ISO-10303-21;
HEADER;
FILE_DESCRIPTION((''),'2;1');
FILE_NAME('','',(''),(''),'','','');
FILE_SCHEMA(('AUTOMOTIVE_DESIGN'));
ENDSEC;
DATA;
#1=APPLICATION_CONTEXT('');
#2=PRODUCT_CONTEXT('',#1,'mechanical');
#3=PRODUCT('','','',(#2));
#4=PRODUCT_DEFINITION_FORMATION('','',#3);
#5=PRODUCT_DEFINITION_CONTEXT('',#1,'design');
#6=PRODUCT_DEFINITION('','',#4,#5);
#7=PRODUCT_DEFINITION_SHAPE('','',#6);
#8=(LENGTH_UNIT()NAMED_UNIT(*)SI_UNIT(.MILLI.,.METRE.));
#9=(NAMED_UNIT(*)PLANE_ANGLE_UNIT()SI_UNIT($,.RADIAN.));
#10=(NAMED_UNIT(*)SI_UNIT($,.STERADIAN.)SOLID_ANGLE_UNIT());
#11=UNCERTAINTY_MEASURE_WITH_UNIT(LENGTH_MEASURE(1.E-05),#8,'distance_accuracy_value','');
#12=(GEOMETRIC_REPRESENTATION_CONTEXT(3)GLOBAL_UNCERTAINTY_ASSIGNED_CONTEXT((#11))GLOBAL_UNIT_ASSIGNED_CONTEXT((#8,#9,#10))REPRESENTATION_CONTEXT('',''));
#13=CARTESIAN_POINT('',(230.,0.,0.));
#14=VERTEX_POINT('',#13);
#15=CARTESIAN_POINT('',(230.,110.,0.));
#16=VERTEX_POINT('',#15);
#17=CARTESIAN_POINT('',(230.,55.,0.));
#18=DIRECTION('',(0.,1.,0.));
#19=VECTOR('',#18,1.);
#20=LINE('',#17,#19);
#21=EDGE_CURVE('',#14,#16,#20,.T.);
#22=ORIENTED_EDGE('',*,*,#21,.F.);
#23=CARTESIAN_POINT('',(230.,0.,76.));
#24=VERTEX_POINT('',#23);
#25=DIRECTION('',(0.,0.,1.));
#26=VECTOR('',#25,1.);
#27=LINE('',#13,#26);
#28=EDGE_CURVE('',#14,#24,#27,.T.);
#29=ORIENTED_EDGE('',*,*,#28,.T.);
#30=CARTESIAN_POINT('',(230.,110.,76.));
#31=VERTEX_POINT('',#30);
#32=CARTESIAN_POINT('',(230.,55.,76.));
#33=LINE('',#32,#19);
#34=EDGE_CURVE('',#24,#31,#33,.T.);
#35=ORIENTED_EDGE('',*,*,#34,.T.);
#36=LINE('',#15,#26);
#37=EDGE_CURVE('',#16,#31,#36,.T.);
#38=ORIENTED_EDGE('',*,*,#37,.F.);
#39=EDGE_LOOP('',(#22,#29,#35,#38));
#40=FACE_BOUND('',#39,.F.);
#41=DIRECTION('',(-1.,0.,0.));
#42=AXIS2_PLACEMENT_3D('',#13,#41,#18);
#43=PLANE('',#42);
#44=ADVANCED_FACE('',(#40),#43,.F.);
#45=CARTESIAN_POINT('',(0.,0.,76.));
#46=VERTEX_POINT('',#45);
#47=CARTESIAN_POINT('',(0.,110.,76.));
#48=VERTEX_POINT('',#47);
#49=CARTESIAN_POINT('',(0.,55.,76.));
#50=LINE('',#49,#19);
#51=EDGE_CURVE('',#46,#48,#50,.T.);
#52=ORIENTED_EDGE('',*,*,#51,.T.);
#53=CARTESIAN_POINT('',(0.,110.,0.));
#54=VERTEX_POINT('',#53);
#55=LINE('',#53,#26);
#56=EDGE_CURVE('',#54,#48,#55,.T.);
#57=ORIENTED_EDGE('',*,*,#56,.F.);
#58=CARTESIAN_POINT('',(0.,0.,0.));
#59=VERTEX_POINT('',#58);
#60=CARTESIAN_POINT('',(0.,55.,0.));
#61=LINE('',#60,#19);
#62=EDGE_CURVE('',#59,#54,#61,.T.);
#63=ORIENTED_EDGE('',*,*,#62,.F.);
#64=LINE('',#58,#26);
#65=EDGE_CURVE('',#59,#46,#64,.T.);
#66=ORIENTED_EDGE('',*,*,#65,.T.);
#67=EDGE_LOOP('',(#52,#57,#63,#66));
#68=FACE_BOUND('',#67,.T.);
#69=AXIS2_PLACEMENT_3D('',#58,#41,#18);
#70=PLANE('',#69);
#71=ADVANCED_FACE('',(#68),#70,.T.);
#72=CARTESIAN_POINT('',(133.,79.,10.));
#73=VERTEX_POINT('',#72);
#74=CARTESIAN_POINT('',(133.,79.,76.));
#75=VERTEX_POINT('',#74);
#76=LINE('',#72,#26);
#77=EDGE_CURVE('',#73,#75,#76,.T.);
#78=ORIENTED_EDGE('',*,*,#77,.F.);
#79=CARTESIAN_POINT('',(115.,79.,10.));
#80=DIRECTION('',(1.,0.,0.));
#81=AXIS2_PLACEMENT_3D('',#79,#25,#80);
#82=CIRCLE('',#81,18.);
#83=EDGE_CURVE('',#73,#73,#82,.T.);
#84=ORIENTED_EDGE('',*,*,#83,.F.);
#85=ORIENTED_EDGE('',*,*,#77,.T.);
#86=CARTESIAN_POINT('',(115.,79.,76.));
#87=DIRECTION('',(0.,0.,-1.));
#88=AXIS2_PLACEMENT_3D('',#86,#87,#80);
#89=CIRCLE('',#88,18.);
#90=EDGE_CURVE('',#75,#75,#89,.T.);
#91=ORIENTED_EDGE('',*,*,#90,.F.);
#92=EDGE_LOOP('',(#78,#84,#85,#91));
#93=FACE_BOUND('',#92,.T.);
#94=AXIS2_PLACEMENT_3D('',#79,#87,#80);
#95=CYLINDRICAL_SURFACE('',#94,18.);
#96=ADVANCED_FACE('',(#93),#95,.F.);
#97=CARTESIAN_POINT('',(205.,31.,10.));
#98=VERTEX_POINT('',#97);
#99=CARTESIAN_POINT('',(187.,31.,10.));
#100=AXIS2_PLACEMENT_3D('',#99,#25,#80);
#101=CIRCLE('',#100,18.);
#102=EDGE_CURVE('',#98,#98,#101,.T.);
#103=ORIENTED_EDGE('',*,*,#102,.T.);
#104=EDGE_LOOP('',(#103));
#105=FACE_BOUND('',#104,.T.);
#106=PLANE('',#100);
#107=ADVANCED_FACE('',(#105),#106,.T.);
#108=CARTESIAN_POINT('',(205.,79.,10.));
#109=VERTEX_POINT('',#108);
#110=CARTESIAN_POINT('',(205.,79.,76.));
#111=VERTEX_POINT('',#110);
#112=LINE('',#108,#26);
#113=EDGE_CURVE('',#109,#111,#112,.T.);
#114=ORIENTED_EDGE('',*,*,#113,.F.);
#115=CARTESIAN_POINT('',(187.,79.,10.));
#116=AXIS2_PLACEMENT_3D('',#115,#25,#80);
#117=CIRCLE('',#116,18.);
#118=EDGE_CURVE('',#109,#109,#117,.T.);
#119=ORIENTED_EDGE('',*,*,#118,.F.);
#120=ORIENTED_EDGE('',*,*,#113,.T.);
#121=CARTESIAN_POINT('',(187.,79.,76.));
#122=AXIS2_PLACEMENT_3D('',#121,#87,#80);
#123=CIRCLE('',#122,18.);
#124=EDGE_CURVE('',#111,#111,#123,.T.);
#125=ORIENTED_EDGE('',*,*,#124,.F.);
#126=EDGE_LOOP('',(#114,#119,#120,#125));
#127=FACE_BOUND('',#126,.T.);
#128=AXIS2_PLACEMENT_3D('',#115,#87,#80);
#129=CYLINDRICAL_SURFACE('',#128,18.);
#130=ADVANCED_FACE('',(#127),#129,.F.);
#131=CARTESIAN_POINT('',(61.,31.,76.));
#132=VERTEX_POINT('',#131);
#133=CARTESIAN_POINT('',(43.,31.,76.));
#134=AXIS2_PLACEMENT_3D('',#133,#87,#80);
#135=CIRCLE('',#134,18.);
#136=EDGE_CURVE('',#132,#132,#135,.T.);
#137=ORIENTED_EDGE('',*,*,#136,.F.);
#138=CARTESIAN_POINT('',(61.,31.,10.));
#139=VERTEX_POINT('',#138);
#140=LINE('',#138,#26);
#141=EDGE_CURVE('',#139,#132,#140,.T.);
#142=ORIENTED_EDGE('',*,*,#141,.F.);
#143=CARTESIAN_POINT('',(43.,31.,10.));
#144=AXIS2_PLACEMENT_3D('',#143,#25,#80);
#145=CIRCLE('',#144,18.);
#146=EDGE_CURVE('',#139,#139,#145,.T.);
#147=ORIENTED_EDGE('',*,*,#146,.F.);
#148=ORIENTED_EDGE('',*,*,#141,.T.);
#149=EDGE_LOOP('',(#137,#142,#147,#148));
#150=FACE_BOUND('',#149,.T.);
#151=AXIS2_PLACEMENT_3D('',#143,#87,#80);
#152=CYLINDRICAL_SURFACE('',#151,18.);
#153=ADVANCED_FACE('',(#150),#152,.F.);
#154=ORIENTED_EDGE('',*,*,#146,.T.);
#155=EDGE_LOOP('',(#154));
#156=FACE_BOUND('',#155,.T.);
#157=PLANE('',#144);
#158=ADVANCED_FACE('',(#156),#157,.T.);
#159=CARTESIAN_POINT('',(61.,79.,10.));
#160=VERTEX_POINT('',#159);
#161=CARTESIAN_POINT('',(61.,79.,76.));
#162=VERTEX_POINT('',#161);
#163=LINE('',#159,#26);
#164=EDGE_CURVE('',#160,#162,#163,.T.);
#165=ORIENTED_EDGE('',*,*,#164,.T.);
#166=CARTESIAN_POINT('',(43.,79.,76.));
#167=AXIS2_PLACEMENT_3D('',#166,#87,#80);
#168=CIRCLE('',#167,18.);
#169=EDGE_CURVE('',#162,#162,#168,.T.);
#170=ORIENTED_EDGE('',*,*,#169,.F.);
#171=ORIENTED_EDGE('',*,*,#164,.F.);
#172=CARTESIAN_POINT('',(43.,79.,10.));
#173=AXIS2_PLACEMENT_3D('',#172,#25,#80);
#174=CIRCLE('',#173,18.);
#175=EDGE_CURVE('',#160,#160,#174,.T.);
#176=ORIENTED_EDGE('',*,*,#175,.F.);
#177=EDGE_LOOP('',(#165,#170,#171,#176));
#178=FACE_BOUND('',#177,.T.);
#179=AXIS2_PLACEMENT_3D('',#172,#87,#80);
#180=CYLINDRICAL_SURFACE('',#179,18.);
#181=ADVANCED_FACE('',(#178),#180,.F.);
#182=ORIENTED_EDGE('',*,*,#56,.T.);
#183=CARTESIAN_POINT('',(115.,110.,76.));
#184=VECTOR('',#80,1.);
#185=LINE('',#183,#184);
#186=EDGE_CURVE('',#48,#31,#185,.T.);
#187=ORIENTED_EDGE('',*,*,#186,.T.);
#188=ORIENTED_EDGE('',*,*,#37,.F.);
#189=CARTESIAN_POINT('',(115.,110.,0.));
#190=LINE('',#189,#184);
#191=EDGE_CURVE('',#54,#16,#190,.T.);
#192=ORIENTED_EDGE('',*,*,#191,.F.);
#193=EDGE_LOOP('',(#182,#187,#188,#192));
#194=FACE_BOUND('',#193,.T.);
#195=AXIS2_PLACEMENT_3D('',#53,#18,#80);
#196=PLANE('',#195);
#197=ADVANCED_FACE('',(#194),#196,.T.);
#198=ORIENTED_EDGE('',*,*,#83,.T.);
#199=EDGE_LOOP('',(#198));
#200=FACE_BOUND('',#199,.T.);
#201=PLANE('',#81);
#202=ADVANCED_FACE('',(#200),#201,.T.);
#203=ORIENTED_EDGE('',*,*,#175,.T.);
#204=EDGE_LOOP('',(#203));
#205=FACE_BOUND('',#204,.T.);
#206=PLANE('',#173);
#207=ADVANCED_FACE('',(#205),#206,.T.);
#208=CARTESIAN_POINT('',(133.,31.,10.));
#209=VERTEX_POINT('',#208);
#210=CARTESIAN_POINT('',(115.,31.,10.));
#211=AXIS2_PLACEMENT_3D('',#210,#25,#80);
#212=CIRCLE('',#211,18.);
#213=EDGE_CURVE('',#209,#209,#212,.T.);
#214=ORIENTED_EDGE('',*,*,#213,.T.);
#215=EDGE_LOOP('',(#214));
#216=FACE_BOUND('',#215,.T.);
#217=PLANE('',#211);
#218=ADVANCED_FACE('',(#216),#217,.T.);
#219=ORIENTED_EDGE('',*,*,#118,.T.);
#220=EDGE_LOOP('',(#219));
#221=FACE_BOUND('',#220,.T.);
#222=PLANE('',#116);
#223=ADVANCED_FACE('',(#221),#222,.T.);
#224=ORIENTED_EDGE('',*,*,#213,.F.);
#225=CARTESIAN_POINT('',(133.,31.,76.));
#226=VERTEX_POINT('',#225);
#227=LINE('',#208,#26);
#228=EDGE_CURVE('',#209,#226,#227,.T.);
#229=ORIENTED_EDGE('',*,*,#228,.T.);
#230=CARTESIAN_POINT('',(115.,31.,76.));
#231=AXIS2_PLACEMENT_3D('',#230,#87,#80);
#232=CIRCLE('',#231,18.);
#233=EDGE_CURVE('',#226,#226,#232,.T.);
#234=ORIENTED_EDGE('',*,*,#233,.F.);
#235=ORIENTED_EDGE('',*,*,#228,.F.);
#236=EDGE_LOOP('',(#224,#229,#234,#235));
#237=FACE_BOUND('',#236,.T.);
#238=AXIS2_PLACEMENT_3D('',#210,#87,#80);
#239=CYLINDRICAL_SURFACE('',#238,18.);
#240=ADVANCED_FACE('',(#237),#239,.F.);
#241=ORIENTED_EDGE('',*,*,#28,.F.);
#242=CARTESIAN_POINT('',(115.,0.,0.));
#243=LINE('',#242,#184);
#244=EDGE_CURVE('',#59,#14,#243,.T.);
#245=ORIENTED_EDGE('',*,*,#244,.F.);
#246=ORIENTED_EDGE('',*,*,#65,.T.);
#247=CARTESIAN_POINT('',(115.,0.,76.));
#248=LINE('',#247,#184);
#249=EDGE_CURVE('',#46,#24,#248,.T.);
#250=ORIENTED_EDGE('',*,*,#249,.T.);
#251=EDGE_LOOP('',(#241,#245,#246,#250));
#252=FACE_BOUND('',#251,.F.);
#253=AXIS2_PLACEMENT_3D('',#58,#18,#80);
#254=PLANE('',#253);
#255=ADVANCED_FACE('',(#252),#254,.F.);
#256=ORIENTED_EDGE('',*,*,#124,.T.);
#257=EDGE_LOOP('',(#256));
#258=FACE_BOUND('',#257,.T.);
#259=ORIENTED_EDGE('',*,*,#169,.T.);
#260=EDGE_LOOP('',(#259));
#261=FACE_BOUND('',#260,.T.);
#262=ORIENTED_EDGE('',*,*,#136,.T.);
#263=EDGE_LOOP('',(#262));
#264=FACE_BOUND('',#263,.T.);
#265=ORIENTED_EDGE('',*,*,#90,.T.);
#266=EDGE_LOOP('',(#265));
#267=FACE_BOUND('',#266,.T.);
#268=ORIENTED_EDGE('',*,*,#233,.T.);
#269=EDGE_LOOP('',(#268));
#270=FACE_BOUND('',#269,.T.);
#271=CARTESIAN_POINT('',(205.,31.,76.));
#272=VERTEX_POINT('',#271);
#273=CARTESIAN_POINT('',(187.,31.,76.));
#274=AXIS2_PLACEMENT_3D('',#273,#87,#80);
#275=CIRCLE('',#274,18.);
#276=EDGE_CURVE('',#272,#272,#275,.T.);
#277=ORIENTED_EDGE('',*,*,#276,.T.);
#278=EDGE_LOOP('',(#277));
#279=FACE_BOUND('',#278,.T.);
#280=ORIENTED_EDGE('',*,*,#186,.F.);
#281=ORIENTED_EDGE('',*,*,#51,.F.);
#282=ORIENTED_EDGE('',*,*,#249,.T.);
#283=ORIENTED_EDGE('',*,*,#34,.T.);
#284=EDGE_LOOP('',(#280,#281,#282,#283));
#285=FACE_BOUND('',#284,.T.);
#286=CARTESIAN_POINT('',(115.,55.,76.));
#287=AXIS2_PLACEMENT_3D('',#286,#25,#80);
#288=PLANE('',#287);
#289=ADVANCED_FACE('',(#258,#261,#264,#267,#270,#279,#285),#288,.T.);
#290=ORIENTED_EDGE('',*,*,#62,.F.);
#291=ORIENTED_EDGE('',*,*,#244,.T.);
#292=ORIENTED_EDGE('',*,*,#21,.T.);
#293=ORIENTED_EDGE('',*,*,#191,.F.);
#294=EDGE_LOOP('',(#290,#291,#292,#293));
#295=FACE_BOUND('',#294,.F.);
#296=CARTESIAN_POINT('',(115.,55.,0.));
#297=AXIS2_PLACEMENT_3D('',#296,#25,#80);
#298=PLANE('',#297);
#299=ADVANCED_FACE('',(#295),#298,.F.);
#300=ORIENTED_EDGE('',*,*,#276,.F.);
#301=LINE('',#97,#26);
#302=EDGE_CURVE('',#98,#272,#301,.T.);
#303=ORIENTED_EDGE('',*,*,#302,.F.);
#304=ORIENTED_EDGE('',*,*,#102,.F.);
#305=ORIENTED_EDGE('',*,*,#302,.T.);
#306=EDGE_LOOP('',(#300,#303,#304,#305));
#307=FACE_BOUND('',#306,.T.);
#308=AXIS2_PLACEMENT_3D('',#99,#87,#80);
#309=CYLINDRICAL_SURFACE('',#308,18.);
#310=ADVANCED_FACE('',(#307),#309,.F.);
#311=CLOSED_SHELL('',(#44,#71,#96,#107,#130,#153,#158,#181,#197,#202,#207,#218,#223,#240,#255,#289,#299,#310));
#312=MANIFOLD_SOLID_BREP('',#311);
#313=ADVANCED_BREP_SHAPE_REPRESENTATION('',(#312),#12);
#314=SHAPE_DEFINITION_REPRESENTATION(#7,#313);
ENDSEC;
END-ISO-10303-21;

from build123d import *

# Parameters (mm, degrees)
CYLINDER003_R     = 18
CYLINDER003_DEPTH = 80
CYLINDER002_R     = 18
CYLINDER002_DEPTH = 80
CYLINDER005_R     = 18
CYLINDER005_DEPTH = 80
CYLINDER004_R     = 18
CYLINDER004_DEPTH = 80
CYLINDER001_R     = 18
CYLINDER001_DEPTH = 80
CYLINDER_R        = 18
CYLINDER_DEPTH    = 80
BOX_W             = 230
BOX_H             = 110
BOX_DEPTH         = 76


with BuildPart() as cylinder003:
    # Cylinder003 → Cylinder003 (new body)
    with BuildSketch(Plane(origin=(43, 79, 0), x_dir=(1, 0, 0), z_dir=(0, 0, 1))):
        Circle(CYLINDER003_R)
    extrude(amount=CYLINDER003_DEPTH)


with BuildPart() as fusion001:
    # Cylinder002 → Cylinder002 (new body)
    with BuildSketch(Plane(origin=(43, 31, 0), x_dir=(1, 0, 0), z_dir=(0, 0, 1))):
        Circle(CYLINDER002_R)
    extrude(amount=CYLINDER002_DEPTH)

    # Fusion001: union Cylinder003
    add(cylinder003.part)


with BuildPart() as fusion001_1:
    # Fusion001 placement: moved
    add(fusion001.part.moved(Location((72, 0, 0))))


with BuildPart() as cylinder005:
    # Cylinder005 → Cylinder005 (new body)
    with BuildSketch(Plane(origin=(43, 79, 0), x_dir=(1, 0, 0), z_dir=(0, 0, 1))):
        Circle(CYLINDER005_R)
    extrude(amount=CYLINDER005_DEPTH)


with BuildPart() as fusion002:
    # Cylinder004 → Cylinder004 (new body)
    with BuildSketch(Plane(origin=(43, 31, 0), x_dir=(1, 0, 0), z_dir=(0, 0, 1))):
        Circle(CYLINDER004_R)
    extrude(amount=CYLINDER004_DEPTH)

    # Fusion002: union Cylinder005
    add(cylinder005.part)


with BuildPart() as fusion002_1:
    # Fusion002 placement: moved
    add(fusion002.part.moved(Location((144, 0, 0))))


with BuildPart() as cylinder001:
    # Cylinder001 → Cylinder001 (new body)
    with BuildSketch(Plane(origin=(43, 79, 0), x_dir=(1, 0, 0), z_dir=(0, 0, 1))):
        Circle(CYLINDER001_R)
    extrude(amount=CYLINDER001_DEPTH)


with BuildPart() as fusion003:
    # Cylinder → Cylinder (new body)
    with BuildSketch(Plane(origin=(43, 31, 0), x_dir=(1, 0, 0), z_dir=(0, 0, 1))):
        Circle(CYLINDER_R)
    extrude(amount=CYLINDER_DEPTH)

    # Fusion: union Cylinder001
    add(cylinder001.part)

    # Fusion003: union Fusion001, Fusion002
    add(fusion001_1.part)
    add(fusion002_1.part)


with BuildPart() as fusion003_1:
    # Fusion003 placement: moved
    add(fusion003.part.moved(Location((0, 0, 10))))


with BuildPart() as cut:
    # Box → Box (new body)
    with BuildSketch(Plane.XY):
        with Locations((115, 55)):
            Rectangle(BOX_W, BOX_H)
    extrude(amount=BOX_DEPTH)

    # Cut: cut Fusion003
    add(fusion003_1.part, mode=Mode.SUBTRACT)


solid = cut.part
